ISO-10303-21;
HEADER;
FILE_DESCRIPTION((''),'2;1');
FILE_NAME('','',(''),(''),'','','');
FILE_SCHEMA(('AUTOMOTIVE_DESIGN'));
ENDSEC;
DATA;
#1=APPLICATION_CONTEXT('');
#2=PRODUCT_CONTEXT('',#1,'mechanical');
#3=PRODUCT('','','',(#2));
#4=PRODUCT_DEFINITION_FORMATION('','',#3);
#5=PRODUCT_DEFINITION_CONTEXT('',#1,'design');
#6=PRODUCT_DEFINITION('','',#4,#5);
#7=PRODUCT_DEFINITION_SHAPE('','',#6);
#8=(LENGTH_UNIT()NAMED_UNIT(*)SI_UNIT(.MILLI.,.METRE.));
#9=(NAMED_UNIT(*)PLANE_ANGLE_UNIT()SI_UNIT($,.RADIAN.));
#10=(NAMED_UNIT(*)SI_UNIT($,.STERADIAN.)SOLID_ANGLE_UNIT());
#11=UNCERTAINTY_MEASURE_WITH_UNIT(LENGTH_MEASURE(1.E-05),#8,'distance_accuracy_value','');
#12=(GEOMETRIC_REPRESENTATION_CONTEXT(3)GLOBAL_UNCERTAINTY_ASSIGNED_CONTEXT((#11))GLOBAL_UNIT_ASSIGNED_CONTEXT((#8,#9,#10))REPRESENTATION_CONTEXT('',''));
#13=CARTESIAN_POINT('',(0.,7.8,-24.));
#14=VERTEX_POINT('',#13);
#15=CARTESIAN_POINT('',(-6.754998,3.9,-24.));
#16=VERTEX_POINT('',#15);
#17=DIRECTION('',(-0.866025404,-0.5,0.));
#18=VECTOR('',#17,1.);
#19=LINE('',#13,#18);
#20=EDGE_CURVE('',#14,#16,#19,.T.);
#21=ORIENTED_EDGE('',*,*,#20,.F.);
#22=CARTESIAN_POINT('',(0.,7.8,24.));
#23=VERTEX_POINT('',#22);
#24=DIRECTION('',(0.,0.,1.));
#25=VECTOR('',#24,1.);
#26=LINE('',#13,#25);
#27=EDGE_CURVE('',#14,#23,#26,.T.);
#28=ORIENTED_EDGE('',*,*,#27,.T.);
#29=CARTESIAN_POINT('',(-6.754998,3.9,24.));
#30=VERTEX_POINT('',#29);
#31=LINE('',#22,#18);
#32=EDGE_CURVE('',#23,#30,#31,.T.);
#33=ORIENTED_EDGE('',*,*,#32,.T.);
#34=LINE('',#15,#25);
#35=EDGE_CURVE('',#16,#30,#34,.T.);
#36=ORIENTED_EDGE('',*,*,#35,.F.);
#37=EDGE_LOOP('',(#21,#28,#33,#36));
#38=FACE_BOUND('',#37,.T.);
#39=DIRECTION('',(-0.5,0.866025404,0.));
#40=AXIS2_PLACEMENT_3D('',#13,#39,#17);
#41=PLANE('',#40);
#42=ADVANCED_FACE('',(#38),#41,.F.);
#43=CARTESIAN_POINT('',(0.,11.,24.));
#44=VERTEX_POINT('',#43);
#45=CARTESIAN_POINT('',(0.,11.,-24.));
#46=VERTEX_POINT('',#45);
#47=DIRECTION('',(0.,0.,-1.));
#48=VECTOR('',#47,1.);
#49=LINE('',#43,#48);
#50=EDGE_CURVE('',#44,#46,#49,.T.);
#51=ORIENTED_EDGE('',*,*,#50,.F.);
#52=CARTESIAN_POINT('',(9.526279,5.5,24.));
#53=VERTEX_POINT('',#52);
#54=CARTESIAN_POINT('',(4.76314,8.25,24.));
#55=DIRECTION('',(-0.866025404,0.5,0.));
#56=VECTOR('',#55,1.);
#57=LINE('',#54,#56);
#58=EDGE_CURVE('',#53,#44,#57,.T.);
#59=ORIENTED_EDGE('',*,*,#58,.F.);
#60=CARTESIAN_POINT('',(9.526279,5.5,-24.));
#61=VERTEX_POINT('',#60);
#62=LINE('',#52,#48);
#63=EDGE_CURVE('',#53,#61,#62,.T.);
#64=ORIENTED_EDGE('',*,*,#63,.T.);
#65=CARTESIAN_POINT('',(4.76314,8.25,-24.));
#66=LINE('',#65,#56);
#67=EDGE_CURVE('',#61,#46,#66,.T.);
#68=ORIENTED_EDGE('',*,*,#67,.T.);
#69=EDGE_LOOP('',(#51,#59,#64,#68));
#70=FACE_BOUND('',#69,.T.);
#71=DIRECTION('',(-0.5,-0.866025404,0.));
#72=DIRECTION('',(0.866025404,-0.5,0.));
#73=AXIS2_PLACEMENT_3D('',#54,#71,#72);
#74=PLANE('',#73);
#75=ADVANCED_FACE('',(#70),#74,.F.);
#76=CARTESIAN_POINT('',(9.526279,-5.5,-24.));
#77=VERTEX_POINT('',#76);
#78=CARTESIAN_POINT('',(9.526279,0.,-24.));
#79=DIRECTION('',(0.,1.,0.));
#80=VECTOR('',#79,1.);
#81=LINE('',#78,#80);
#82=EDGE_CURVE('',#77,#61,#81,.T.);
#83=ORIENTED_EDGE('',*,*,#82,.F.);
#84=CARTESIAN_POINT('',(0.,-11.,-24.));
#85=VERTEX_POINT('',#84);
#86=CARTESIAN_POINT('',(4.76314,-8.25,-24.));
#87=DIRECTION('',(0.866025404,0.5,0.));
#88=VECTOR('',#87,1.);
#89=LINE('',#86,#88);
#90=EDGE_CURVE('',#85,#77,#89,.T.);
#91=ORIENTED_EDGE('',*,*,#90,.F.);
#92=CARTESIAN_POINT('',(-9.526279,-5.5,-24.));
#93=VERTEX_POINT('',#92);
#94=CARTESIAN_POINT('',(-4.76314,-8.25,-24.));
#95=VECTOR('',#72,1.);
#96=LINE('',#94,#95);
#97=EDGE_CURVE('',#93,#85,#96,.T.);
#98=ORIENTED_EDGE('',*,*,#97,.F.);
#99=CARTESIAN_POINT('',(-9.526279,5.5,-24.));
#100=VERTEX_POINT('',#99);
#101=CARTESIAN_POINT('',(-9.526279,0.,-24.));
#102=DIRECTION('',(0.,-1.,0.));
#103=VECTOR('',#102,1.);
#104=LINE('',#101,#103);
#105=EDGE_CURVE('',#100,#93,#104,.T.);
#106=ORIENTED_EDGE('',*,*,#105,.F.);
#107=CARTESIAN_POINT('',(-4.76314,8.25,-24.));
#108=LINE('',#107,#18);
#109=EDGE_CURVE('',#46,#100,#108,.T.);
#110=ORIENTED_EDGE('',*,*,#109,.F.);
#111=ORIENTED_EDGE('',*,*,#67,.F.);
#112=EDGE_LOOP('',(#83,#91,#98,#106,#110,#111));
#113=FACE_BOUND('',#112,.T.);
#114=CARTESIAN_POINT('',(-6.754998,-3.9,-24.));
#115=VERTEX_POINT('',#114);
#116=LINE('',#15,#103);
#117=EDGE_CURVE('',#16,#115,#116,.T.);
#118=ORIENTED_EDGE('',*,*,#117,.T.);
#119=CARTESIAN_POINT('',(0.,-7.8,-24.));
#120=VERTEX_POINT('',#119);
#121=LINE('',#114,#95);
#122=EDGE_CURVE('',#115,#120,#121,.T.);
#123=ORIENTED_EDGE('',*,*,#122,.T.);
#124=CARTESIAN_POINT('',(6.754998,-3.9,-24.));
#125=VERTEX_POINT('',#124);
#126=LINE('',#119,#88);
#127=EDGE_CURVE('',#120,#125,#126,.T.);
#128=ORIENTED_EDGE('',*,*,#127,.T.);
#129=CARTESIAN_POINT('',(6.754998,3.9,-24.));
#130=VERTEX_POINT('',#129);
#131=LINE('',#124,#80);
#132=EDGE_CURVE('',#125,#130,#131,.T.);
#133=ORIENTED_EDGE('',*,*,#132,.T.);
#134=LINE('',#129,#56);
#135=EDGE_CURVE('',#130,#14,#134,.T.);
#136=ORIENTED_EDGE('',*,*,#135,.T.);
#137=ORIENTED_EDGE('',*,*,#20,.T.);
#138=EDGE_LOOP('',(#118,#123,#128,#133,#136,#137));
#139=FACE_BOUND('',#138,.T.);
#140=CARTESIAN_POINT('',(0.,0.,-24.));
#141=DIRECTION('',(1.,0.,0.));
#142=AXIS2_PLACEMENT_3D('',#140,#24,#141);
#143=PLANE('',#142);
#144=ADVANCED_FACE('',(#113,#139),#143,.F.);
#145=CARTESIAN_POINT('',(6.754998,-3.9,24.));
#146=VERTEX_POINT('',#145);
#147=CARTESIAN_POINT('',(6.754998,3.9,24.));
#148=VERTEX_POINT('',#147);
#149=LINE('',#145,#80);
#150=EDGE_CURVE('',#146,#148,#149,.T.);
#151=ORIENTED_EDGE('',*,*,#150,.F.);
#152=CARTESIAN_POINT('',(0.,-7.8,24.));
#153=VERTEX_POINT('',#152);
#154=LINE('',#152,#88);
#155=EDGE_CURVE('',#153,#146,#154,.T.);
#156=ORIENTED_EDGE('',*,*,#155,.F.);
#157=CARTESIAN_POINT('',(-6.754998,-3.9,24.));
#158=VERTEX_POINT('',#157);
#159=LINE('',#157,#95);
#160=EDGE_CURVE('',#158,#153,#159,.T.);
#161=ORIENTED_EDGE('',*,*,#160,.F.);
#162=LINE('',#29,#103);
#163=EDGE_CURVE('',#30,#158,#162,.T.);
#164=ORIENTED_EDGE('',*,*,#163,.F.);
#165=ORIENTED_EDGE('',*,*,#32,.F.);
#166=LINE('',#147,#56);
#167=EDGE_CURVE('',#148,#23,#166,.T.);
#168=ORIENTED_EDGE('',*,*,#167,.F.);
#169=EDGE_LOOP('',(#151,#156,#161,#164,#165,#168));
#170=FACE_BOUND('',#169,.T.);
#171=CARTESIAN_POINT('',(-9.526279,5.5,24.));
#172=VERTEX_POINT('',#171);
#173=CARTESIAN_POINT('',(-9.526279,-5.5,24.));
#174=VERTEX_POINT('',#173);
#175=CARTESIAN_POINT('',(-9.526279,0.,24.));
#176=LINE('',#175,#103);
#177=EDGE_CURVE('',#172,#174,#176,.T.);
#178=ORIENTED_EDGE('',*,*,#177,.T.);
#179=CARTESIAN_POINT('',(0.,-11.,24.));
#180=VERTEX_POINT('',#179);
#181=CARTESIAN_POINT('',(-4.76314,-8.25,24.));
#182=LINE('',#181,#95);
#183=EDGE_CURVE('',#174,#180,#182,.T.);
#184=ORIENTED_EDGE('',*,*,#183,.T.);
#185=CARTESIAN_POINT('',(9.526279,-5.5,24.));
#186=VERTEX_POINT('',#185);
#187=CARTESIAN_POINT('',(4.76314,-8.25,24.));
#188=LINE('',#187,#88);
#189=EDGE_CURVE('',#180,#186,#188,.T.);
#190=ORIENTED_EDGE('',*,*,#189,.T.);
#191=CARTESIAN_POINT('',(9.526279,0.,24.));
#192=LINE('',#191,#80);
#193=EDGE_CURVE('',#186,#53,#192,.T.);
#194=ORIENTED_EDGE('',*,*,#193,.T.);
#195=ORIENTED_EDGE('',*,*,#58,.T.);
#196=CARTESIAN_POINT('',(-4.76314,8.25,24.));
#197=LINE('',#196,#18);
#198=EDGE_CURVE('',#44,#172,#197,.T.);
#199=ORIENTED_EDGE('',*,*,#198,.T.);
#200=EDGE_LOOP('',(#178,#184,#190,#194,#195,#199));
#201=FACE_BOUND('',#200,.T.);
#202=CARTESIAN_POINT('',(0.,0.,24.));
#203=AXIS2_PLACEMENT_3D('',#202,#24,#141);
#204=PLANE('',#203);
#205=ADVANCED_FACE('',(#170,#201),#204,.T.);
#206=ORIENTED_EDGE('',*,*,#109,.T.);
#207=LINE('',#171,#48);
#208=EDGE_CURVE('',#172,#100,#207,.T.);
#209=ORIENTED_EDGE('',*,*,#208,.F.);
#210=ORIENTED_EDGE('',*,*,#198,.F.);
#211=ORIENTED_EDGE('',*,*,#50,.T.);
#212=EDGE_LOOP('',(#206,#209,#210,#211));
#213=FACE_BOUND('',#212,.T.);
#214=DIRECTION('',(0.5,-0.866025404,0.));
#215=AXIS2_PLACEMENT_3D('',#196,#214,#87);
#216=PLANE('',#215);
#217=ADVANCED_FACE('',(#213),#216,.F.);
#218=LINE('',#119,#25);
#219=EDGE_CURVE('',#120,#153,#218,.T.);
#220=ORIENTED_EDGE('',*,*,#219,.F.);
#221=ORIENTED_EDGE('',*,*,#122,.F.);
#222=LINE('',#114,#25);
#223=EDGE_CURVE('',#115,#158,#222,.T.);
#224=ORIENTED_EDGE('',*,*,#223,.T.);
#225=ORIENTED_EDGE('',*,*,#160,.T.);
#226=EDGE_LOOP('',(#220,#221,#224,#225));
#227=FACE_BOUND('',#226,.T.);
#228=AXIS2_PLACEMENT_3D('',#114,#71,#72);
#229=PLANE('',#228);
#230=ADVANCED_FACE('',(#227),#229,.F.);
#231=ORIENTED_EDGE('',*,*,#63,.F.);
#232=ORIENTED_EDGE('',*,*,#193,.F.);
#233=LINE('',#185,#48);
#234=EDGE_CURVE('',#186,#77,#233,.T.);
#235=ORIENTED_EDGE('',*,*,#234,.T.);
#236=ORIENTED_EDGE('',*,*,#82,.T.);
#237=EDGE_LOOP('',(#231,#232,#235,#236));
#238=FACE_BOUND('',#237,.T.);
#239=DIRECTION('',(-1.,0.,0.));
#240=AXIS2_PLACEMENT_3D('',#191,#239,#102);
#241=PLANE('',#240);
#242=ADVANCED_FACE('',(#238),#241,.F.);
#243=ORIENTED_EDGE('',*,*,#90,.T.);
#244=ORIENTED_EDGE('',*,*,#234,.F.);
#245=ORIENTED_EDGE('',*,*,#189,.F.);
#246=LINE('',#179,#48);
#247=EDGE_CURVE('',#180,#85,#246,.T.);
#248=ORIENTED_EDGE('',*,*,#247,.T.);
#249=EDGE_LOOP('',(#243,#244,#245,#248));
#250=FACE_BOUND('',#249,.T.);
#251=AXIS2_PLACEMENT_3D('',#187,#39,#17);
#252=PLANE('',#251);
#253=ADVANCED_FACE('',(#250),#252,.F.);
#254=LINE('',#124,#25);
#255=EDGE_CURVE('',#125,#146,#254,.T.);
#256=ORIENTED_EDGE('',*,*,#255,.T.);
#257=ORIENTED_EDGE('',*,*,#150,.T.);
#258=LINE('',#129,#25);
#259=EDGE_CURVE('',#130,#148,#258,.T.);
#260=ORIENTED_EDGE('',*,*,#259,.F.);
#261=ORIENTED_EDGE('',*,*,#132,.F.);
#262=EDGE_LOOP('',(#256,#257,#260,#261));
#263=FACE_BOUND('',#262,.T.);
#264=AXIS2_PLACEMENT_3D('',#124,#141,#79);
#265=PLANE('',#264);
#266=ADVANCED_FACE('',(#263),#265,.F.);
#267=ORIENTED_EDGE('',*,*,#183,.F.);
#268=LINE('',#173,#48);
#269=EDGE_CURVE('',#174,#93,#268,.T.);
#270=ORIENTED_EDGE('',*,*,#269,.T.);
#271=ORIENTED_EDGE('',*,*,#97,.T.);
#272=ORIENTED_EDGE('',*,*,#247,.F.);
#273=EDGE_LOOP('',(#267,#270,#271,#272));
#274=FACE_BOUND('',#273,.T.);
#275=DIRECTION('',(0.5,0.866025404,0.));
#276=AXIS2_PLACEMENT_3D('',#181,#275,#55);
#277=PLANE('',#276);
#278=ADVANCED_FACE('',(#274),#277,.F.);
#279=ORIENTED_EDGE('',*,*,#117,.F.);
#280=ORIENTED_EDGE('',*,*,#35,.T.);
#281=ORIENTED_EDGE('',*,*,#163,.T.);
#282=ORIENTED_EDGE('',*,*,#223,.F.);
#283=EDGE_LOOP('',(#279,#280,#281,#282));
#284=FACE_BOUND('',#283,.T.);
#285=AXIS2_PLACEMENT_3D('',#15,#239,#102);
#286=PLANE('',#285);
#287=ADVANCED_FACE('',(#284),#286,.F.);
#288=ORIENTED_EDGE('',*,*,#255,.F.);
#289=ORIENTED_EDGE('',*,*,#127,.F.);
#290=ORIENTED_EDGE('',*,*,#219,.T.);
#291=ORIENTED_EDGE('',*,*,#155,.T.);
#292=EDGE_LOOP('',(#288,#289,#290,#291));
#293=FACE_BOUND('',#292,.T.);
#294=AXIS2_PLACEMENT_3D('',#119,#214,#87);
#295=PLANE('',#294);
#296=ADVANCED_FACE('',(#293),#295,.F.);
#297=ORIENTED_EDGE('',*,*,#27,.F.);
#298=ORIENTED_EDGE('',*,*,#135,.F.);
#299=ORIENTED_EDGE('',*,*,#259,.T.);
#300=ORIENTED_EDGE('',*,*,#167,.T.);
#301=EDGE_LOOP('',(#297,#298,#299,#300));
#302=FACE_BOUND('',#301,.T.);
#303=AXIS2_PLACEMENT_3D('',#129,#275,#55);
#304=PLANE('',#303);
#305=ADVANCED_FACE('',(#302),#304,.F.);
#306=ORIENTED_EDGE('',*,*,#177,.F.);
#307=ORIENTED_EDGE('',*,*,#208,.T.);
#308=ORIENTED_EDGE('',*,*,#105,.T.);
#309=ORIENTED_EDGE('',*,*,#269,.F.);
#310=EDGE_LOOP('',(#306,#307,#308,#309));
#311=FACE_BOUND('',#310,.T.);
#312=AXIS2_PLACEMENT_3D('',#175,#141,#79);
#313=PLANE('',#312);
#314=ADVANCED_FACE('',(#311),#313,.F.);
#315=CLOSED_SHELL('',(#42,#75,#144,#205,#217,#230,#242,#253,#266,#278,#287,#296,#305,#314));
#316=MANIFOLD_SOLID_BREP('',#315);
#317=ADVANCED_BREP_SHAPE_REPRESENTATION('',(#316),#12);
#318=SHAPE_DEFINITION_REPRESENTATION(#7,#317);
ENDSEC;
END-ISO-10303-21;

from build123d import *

# Parameters (mm, degrees)
BOSS_EXTRUDE2_DEPTH     = 24
CUT_EXTRUDE3_DEPTH      = 25
CUT_EXTRUDE3_DEPTH_BACK = 25


with BuildPart() as part:
    # Sketch1<3> → Boss-Extrude2 (new body, symmetric)
    with BuildSketch(Plane.XY):
        Polygon((0, -11), (9.526279442, -5.5), (9.526279442, 5.5), (0, 11), (-9.526279442, 5.5), (-9.526279442, -5.5), align=None)
    extrude(amount=BOSS_EXTRUDE2_DEPTH, both=True)

    # Sketch2 → Cut-Extrude3 (cut, two sides)
    with BuildSketch(Plane.XY) as cut_extrude3_sk:
        Polygon((0, -7.8), (6.75499815, -3.9), (6.75499815, 3.9), (0, 7.8), (-6.75499815, 3.9), (-6.75499815, -3.9), align=None)
    extrude(amount=CUT_EXTRUDE3_DEPTH, mode=Mode.SUBTRACT)
    extrude(cut_extrude3_sk.sketch, amount=-CUT_EXTRUDE3_DEPTH_BACK, mode=Mode.SUBTRACT)


solid = part.part
